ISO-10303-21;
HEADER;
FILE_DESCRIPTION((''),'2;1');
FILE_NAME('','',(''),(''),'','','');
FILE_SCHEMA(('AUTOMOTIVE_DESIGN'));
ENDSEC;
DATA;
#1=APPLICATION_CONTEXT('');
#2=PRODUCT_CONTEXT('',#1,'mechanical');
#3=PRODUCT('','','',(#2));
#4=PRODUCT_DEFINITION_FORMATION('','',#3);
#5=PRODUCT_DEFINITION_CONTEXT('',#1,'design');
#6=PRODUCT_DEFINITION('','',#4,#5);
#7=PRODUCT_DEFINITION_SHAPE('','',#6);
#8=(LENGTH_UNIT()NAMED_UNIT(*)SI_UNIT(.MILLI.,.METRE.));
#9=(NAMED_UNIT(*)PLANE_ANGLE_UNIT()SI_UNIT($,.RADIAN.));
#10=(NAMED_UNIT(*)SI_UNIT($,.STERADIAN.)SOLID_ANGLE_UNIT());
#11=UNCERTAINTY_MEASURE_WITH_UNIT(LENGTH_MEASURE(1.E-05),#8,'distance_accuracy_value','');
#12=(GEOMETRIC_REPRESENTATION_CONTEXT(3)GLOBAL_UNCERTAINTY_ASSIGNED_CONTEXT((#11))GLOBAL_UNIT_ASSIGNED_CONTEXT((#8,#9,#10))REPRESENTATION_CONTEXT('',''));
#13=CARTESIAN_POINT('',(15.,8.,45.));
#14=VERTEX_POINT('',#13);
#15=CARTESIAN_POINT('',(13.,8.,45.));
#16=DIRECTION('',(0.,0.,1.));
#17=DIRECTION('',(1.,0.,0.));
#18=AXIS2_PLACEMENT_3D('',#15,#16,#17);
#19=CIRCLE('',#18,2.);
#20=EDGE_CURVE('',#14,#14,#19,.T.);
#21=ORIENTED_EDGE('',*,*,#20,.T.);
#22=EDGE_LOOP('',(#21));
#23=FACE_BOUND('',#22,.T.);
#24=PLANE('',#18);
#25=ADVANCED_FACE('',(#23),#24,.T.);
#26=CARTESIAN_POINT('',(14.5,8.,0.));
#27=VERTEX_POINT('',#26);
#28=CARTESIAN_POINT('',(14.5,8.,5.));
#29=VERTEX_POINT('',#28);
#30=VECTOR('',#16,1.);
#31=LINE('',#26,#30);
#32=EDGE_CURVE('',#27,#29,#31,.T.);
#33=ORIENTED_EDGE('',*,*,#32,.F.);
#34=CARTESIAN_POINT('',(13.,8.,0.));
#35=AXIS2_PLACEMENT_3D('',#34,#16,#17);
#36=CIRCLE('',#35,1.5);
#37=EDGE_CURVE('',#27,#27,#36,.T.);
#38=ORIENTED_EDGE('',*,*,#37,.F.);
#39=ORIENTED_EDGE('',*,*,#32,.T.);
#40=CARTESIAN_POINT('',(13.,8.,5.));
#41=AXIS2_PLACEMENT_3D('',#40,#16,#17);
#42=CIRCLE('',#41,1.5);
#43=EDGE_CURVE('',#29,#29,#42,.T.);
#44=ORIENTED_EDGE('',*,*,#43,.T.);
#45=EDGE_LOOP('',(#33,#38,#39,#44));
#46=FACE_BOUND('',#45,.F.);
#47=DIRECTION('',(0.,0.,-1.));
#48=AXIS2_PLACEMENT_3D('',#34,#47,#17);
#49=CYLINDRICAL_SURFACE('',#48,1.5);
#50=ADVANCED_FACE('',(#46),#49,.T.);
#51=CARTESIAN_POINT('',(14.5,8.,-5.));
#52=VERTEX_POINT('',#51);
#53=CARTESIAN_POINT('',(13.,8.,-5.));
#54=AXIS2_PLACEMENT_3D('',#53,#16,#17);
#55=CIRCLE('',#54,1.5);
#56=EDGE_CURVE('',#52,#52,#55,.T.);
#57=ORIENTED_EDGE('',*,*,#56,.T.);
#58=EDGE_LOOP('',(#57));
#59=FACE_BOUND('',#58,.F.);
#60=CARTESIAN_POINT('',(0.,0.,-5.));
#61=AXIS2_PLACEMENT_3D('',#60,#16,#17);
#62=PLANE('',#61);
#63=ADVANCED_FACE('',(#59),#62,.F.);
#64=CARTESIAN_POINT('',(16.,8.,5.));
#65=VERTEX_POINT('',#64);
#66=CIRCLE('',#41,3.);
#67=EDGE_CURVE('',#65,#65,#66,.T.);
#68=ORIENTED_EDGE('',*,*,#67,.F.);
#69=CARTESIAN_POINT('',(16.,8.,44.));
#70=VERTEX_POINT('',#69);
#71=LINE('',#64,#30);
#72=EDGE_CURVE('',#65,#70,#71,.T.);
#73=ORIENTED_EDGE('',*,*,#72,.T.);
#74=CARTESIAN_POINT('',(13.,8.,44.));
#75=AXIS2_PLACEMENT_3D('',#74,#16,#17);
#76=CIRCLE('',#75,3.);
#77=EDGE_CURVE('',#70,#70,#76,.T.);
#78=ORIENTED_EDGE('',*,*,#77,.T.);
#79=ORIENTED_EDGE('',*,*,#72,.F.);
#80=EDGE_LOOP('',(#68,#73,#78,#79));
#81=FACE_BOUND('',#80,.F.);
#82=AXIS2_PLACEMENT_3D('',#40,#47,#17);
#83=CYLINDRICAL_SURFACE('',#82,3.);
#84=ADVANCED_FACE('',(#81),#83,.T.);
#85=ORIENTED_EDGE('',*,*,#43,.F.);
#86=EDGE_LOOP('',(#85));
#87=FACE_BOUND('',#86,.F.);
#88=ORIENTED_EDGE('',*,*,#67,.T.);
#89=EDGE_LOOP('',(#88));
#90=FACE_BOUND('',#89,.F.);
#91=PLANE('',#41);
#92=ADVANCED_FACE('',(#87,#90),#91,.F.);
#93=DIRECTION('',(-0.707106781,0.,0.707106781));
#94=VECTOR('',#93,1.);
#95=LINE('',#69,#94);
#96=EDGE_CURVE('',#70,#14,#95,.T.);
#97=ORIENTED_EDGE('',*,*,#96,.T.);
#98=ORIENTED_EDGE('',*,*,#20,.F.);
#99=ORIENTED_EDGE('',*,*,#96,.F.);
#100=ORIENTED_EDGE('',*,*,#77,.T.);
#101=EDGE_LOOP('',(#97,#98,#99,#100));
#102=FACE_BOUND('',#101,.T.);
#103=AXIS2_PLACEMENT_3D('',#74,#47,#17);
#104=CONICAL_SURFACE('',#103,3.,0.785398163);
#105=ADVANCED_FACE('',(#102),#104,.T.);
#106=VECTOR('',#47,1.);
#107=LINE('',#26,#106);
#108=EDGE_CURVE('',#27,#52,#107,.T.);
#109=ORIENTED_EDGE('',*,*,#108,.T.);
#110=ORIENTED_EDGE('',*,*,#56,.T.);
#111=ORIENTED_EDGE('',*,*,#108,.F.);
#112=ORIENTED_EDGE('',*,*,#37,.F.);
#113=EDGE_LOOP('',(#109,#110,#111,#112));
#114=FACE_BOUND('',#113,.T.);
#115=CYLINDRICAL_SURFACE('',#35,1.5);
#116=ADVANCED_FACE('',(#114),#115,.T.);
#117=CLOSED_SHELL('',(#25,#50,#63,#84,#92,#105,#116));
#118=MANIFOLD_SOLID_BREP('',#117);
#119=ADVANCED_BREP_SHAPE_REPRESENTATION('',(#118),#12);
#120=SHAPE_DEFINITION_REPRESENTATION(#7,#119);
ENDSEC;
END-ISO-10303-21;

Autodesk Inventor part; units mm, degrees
ref_plane "YZ Plane" through (0, 0, 0) normal (1, 0, 0) x (0, 1, 0)
ref_plane "XZ Plane" through (0, 0, 0) normal (0, 1, 0) x (-1, 0, 0)
ref_plane "XY Plane" through (0, 0, 0) normal (0, 0, 1) x (1, 0, 0)
sketch "Sketch1" plane through (0, 0, 0) normal (0, 0, 1) x (1, 0, 0)
  circle A0 centre (13, 8) radius 1.5 projected
  circle A1 centre (13, 8) radius 1.5
  point P0 (0, 0)
  dimension "d0" = 3
extrude "Extrusion1" add sketch "Sketch1" along normal mid plane 10
sketch "Sketch2" plane through (13, 8, 5) normal (0, 0, 1) x (1, 0, 0)
  circle A0 centre (0, 0) radius 1.5 projected
  circle A1 centre (0, 0) radius 3
  point P0 (-13, -8)
  dimension "d3" = 6
extrude "Extrusion2" add sketch "Sketch2" along normal blind 40 contours A0 | A1
chamfer "Chamfer1" distance 1 angle 45 1 edges at (10, 8, 45)
properties part number "wheel_pin_1"
